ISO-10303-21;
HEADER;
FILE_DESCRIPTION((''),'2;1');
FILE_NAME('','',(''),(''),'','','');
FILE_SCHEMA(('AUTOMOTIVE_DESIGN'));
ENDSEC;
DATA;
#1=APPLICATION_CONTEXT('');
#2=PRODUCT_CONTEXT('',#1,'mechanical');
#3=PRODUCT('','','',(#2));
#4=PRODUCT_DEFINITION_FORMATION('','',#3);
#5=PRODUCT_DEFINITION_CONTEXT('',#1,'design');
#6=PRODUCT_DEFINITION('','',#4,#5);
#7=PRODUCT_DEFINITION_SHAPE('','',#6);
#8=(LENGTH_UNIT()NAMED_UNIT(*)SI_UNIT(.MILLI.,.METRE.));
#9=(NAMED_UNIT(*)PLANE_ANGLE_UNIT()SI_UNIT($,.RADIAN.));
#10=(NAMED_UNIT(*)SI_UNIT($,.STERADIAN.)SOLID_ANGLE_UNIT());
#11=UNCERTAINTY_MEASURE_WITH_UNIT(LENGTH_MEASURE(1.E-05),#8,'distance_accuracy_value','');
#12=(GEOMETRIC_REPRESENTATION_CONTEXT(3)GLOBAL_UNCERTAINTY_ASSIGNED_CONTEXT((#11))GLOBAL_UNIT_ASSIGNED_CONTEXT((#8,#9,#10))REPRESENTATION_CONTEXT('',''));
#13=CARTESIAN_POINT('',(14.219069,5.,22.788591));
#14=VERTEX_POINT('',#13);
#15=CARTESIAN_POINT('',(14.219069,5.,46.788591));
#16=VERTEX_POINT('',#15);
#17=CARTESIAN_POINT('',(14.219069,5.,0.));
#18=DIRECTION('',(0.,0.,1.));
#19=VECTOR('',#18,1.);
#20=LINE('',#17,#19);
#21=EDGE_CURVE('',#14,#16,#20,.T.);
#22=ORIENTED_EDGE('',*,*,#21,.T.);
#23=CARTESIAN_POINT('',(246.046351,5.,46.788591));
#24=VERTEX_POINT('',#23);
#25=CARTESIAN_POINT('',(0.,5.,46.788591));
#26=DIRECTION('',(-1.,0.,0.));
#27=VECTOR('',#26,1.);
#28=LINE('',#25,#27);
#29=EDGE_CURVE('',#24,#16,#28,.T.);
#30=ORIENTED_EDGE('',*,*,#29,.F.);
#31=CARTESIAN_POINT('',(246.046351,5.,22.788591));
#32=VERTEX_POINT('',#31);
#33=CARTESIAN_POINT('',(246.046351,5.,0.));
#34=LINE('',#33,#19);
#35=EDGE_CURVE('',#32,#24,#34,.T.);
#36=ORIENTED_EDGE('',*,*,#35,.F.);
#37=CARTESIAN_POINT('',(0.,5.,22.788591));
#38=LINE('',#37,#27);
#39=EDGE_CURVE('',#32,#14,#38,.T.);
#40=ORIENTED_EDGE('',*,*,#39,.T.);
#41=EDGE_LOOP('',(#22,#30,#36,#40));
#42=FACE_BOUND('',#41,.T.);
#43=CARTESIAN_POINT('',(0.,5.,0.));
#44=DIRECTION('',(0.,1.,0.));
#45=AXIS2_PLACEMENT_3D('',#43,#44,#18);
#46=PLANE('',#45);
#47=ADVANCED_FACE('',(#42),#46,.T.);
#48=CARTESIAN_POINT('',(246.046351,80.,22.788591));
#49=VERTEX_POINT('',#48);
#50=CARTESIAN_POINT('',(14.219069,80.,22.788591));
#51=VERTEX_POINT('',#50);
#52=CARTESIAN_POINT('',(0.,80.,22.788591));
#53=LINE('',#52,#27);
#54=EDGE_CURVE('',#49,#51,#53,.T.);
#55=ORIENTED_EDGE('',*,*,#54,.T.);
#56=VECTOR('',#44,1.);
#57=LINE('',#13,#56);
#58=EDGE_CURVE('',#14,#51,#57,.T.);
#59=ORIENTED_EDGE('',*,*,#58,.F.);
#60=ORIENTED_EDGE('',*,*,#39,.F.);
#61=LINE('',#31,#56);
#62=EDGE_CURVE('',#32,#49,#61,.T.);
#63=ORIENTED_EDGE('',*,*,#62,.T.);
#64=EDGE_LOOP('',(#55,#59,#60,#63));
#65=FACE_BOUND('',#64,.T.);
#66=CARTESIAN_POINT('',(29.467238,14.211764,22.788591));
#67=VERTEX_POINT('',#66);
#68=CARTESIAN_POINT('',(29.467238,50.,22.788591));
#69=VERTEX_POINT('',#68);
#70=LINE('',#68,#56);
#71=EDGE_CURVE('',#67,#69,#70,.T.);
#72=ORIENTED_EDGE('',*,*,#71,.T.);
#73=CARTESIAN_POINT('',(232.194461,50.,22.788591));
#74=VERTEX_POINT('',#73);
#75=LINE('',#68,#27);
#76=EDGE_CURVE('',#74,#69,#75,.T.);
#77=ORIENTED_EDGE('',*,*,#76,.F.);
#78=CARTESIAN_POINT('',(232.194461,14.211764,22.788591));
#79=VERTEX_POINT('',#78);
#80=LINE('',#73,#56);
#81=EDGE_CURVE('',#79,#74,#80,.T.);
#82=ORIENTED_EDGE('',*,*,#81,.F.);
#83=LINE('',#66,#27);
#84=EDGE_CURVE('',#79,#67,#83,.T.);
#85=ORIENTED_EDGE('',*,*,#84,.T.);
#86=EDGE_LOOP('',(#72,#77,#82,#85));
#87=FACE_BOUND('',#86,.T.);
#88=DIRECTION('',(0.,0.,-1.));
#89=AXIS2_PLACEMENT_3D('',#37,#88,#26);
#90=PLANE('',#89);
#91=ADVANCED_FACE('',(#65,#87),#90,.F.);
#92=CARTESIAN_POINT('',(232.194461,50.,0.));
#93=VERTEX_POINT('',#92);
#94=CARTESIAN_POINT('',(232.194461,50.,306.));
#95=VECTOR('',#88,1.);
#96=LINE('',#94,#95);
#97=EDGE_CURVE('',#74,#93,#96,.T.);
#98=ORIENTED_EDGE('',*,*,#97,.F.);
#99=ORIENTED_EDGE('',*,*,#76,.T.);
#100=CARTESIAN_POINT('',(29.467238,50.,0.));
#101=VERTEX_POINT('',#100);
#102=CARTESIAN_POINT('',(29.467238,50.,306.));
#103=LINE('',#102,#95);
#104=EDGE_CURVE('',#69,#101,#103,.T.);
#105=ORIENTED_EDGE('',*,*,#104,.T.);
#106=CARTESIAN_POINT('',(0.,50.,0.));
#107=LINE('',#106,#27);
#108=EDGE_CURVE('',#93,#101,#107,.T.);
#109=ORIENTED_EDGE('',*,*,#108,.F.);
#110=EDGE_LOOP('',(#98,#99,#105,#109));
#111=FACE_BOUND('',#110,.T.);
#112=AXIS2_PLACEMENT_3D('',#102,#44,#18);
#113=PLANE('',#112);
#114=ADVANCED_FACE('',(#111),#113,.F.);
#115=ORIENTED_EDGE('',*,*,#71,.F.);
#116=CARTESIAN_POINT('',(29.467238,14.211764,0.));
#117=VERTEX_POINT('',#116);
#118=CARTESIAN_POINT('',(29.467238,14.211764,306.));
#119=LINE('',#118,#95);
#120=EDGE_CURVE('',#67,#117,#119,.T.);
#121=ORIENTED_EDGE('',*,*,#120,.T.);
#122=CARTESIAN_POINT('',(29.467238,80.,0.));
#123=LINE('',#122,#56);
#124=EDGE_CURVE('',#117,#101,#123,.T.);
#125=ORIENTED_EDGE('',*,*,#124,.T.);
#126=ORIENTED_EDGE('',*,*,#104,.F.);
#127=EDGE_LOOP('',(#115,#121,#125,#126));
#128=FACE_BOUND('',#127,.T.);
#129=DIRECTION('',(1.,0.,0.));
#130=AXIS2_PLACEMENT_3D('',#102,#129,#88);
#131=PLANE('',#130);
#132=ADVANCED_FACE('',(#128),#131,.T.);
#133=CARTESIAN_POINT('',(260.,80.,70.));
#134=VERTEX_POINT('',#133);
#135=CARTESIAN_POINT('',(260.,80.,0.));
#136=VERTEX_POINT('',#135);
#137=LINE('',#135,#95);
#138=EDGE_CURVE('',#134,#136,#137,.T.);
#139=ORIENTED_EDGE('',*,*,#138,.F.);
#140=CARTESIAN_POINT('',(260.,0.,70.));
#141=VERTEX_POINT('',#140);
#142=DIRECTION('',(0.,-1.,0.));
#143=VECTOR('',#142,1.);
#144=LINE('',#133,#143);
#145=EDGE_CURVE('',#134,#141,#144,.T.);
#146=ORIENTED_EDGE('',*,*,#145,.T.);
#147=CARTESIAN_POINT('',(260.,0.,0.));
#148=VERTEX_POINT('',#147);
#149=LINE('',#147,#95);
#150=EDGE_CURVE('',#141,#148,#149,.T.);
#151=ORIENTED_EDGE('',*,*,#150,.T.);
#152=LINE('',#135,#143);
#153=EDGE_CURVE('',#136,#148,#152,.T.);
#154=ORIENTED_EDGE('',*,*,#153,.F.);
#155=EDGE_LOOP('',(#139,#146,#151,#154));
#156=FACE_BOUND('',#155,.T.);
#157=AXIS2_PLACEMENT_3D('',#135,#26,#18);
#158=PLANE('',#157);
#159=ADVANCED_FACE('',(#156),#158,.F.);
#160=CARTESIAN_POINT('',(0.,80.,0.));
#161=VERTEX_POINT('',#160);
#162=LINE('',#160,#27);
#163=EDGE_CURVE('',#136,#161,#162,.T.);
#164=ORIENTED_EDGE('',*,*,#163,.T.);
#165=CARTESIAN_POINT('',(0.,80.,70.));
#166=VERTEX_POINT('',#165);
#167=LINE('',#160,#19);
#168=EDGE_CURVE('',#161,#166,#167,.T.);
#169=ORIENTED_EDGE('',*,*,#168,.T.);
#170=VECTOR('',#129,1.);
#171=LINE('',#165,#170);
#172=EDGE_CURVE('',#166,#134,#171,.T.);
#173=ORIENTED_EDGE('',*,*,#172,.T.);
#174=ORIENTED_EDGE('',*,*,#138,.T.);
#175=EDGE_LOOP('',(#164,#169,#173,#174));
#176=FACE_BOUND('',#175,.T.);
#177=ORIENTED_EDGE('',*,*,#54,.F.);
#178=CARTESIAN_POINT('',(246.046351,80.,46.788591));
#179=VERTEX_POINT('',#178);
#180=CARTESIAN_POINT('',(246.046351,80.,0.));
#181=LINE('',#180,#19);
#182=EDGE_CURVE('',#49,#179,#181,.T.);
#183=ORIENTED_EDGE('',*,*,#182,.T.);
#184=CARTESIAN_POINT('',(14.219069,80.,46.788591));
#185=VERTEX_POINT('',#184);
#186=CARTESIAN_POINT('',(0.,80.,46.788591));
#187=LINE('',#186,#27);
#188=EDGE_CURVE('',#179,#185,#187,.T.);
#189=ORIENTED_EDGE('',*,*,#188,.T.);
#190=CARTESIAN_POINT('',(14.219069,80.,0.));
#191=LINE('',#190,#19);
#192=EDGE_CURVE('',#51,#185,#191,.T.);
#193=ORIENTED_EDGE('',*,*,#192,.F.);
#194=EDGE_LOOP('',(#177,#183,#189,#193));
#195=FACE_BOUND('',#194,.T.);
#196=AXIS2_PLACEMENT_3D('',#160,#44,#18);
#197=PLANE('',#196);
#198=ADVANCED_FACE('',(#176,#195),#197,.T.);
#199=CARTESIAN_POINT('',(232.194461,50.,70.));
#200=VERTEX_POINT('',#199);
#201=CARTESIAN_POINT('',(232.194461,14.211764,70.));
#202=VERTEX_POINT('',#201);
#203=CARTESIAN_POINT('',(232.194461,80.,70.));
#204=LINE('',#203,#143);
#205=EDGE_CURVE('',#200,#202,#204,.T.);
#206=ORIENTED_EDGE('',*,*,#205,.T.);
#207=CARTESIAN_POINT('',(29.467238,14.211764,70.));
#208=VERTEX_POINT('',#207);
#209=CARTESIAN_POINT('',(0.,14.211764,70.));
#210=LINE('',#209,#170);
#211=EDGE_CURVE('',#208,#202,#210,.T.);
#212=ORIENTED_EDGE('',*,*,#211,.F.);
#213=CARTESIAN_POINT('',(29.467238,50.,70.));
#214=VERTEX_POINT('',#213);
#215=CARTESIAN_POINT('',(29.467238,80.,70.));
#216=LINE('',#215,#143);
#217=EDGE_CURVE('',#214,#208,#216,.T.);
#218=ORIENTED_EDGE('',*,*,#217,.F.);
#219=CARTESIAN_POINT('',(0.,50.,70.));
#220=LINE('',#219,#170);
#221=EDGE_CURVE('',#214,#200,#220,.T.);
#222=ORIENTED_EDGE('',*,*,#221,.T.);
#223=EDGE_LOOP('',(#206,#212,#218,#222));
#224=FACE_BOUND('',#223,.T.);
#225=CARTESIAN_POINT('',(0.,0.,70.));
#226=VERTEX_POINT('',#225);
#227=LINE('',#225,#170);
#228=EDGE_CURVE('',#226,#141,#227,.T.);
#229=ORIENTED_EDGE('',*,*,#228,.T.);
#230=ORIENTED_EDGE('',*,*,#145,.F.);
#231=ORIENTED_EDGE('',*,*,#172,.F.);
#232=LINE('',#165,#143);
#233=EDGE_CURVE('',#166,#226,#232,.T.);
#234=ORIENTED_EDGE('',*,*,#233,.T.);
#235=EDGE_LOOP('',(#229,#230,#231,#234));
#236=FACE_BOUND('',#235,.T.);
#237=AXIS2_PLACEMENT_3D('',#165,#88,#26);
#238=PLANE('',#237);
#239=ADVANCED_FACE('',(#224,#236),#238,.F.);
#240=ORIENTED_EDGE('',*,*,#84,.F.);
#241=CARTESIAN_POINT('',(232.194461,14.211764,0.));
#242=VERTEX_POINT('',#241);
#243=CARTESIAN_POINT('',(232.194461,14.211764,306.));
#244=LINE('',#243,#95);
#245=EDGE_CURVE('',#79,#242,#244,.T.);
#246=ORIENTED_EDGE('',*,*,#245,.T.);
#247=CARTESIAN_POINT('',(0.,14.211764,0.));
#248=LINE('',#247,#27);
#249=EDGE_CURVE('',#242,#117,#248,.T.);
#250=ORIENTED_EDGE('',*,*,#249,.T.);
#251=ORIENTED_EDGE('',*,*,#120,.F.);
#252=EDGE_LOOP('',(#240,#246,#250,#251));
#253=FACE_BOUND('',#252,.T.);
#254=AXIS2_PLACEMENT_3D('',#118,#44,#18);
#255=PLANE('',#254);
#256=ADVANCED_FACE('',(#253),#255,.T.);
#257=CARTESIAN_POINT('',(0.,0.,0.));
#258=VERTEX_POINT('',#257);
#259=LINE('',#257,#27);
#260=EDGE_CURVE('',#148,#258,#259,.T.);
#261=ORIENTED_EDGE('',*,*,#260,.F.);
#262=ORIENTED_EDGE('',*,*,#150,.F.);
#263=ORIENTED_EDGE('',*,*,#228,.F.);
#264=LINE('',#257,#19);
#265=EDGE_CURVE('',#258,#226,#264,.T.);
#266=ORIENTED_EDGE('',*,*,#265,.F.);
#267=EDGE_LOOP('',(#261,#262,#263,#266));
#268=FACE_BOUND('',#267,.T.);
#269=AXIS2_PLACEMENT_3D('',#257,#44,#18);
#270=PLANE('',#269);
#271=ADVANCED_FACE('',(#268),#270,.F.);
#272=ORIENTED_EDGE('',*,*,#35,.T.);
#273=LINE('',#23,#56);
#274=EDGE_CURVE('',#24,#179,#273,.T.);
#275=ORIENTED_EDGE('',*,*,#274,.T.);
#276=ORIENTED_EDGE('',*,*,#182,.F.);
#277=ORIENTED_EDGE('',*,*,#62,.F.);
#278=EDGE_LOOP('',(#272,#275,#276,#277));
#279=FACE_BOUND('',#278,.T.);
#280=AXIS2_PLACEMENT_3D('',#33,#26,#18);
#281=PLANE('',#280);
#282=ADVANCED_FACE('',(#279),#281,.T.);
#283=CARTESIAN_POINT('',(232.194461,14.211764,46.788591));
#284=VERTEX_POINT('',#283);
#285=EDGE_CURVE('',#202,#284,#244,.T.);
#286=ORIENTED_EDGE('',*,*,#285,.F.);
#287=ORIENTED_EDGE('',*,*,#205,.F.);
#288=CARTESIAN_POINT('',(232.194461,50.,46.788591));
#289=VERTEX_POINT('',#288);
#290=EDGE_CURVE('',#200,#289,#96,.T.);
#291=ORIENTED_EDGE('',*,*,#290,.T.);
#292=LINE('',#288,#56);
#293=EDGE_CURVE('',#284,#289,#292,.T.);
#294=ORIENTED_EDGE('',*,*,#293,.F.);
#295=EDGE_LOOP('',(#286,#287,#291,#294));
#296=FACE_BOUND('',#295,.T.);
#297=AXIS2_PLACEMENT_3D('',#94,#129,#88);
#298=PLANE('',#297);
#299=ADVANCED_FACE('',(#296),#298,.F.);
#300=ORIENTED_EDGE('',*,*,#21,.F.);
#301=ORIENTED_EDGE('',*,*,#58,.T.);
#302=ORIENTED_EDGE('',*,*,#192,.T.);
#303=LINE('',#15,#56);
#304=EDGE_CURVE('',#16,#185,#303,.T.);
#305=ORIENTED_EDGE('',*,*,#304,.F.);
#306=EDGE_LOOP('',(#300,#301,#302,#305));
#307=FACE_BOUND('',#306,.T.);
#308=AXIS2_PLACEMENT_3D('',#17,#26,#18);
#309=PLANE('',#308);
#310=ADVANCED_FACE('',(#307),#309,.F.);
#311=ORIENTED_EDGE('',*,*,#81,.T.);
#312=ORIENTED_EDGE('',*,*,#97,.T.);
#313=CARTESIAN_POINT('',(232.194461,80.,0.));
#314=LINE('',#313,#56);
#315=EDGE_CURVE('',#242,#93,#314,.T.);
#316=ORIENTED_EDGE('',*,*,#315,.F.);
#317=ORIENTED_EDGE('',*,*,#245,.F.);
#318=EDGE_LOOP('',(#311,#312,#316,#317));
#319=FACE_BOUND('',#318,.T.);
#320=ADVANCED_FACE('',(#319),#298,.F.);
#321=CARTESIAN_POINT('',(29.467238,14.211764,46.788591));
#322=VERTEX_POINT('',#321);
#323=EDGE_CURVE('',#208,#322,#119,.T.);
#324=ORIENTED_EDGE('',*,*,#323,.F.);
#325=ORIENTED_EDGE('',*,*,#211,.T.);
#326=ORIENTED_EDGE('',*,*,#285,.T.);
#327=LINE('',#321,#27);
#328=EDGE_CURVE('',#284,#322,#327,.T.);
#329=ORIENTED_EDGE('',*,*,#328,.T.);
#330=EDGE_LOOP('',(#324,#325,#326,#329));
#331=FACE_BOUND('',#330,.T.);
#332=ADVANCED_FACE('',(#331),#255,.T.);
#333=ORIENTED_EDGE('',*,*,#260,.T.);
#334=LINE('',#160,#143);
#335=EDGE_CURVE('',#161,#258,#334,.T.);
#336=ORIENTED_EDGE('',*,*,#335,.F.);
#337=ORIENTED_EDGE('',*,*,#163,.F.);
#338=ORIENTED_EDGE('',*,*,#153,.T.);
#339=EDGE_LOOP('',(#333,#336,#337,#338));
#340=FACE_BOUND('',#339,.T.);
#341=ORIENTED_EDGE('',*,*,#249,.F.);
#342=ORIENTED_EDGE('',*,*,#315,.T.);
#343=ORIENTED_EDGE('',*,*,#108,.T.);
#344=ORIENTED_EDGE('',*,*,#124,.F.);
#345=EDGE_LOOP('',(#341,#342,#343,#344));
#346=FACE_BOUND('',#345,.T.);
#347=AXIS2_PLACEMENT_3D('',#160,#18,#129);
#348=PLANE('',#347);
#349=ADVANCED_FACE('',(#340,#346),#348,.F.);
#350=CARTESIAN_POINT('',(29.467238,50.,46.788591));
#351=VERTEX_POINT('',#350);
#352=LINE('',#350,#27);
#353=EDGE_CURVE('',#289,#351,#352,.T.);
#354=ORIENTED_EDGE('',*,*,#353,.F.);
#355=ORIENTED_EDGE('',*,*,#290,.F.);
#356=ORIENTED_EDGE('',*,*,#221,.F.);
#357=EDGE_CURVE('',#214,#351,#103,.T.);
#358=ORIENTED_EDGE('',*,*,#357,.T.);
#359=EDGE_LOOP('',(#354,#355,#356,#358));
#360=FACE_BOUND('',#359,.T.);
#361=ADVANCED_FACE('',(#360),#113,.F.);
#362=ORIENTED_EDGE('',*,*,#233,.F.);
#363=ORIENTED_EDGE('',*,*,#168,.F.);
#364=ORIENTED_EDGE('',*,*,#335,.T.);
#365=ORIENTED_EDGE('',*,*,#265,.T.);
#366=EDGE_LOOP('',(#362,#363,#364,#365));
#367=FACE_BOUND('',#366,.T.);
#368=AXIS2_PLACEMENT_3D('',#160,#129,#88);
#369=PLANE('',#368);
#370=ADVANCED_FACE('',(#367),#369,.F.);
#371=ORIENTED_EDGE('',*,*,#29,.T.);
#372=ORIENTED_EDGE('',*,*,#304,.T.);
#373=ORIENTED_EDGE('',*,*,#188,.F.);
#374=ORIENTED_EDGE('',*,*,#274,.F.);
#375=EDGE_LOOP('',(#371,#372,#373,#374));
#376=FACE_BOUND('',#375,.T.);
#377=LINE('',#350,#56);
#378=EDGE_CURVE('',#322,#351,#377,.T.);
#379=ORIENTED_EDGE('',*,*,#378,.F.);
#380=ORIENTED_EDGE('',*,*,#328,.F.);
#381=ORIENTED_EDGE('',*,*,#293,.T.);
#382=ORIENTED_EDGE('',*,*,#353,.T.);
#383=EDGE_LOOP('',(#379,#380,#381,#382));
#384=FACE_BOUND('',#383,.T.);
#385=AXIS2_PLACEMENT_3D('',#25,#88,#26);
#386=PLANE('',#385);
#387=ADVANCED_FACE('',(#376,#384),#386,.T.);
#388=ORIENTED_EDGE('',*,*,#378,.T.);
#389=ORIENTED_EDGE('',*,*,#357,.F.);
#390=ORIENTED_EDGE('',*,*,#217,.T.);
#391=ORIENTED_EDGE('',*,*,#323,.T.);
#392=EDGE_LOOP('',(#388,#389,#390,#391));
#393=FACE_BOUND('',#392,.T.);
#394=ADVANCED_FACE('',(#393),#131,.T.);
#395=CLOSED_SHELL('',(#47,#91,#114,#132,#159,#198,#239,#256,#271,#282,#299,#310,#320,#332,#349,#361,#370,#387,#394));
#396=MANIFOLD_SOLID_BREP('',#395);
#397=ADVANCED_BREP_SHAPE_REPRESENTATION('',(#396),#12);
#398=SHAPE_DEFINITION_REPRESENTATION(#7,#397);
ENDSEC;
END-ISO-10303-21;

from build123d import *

# Parameters (mm, degrees)
ESQUISSE1_W                  = 260
ESQUISSE1_H                  = 70
BOSS_EXTRU_1_DEPTH           = 80
ENL_V_MAT_EXTRU_1_DEPTH      = 236
ENL_V_MAT_EXTRU_1_DEPTH_BACK = 80
ESQUISSE3_W                  = 202.727222796
ESQUISSE3_H                  = 35.788236333
ESQUISSE4_W                  = 231.827281701
ESQUISSE4_H                  = 24
ENL_V_MAT_EXTRU_2_DEPTH      = 75


with BuildPart() as part:
    # Esquisse1 → Boss.-Extru.1 (new body)
    with BuildSketch(Plane(origin=(0, 0, 0), x_dir=(1, 0, 0), z_dir=(0, 1, 0))):
        with Locations((130, -35)):
            Rectangle(ESQUISSE1_W, ESQUISSE1_H)
    extrude(amount=BOSS_EXTRU_1_DEPTH)

    # Esquisse3 → Enlèv. mat.-Extru.1 (cut, two sides: drawn at the far end of the back side and taken through both)
    with BuildSketch(Plane.XY.offset(70).offset(-ENL_V_MAT_EXTRU_1_DEPTH_BACK)):
        with Locations((130.830849274, 32.105881833)):
            Rectangle(ESQUISSE3_W, ESQUISSE3_H)
    extrude(amount=ENL_V_MAT_EXTRU_1_DEPTH + ENL_V_MAT_EXTRU_1_DEPTH_BACK, mode=Mode.SUBTRACT)

    # Esquisse4 → Enlèv. mat.-Extru.2 (cut)
    with BuildSketch(Plane(origin=(0, 80, 0), x_dir=(1, 0, 0), z_dir=(0, 1, 0))):
        with Locations((130.132710296, -34.788590838)):
            Rectangle(ESQUISSE4_W, ESQUISSE4_H)
    extrude(amount=-ENL_V_MAT_EXTRU_2_DEPTH, mode=Mode.SUBTRACT)


solid = part.part
